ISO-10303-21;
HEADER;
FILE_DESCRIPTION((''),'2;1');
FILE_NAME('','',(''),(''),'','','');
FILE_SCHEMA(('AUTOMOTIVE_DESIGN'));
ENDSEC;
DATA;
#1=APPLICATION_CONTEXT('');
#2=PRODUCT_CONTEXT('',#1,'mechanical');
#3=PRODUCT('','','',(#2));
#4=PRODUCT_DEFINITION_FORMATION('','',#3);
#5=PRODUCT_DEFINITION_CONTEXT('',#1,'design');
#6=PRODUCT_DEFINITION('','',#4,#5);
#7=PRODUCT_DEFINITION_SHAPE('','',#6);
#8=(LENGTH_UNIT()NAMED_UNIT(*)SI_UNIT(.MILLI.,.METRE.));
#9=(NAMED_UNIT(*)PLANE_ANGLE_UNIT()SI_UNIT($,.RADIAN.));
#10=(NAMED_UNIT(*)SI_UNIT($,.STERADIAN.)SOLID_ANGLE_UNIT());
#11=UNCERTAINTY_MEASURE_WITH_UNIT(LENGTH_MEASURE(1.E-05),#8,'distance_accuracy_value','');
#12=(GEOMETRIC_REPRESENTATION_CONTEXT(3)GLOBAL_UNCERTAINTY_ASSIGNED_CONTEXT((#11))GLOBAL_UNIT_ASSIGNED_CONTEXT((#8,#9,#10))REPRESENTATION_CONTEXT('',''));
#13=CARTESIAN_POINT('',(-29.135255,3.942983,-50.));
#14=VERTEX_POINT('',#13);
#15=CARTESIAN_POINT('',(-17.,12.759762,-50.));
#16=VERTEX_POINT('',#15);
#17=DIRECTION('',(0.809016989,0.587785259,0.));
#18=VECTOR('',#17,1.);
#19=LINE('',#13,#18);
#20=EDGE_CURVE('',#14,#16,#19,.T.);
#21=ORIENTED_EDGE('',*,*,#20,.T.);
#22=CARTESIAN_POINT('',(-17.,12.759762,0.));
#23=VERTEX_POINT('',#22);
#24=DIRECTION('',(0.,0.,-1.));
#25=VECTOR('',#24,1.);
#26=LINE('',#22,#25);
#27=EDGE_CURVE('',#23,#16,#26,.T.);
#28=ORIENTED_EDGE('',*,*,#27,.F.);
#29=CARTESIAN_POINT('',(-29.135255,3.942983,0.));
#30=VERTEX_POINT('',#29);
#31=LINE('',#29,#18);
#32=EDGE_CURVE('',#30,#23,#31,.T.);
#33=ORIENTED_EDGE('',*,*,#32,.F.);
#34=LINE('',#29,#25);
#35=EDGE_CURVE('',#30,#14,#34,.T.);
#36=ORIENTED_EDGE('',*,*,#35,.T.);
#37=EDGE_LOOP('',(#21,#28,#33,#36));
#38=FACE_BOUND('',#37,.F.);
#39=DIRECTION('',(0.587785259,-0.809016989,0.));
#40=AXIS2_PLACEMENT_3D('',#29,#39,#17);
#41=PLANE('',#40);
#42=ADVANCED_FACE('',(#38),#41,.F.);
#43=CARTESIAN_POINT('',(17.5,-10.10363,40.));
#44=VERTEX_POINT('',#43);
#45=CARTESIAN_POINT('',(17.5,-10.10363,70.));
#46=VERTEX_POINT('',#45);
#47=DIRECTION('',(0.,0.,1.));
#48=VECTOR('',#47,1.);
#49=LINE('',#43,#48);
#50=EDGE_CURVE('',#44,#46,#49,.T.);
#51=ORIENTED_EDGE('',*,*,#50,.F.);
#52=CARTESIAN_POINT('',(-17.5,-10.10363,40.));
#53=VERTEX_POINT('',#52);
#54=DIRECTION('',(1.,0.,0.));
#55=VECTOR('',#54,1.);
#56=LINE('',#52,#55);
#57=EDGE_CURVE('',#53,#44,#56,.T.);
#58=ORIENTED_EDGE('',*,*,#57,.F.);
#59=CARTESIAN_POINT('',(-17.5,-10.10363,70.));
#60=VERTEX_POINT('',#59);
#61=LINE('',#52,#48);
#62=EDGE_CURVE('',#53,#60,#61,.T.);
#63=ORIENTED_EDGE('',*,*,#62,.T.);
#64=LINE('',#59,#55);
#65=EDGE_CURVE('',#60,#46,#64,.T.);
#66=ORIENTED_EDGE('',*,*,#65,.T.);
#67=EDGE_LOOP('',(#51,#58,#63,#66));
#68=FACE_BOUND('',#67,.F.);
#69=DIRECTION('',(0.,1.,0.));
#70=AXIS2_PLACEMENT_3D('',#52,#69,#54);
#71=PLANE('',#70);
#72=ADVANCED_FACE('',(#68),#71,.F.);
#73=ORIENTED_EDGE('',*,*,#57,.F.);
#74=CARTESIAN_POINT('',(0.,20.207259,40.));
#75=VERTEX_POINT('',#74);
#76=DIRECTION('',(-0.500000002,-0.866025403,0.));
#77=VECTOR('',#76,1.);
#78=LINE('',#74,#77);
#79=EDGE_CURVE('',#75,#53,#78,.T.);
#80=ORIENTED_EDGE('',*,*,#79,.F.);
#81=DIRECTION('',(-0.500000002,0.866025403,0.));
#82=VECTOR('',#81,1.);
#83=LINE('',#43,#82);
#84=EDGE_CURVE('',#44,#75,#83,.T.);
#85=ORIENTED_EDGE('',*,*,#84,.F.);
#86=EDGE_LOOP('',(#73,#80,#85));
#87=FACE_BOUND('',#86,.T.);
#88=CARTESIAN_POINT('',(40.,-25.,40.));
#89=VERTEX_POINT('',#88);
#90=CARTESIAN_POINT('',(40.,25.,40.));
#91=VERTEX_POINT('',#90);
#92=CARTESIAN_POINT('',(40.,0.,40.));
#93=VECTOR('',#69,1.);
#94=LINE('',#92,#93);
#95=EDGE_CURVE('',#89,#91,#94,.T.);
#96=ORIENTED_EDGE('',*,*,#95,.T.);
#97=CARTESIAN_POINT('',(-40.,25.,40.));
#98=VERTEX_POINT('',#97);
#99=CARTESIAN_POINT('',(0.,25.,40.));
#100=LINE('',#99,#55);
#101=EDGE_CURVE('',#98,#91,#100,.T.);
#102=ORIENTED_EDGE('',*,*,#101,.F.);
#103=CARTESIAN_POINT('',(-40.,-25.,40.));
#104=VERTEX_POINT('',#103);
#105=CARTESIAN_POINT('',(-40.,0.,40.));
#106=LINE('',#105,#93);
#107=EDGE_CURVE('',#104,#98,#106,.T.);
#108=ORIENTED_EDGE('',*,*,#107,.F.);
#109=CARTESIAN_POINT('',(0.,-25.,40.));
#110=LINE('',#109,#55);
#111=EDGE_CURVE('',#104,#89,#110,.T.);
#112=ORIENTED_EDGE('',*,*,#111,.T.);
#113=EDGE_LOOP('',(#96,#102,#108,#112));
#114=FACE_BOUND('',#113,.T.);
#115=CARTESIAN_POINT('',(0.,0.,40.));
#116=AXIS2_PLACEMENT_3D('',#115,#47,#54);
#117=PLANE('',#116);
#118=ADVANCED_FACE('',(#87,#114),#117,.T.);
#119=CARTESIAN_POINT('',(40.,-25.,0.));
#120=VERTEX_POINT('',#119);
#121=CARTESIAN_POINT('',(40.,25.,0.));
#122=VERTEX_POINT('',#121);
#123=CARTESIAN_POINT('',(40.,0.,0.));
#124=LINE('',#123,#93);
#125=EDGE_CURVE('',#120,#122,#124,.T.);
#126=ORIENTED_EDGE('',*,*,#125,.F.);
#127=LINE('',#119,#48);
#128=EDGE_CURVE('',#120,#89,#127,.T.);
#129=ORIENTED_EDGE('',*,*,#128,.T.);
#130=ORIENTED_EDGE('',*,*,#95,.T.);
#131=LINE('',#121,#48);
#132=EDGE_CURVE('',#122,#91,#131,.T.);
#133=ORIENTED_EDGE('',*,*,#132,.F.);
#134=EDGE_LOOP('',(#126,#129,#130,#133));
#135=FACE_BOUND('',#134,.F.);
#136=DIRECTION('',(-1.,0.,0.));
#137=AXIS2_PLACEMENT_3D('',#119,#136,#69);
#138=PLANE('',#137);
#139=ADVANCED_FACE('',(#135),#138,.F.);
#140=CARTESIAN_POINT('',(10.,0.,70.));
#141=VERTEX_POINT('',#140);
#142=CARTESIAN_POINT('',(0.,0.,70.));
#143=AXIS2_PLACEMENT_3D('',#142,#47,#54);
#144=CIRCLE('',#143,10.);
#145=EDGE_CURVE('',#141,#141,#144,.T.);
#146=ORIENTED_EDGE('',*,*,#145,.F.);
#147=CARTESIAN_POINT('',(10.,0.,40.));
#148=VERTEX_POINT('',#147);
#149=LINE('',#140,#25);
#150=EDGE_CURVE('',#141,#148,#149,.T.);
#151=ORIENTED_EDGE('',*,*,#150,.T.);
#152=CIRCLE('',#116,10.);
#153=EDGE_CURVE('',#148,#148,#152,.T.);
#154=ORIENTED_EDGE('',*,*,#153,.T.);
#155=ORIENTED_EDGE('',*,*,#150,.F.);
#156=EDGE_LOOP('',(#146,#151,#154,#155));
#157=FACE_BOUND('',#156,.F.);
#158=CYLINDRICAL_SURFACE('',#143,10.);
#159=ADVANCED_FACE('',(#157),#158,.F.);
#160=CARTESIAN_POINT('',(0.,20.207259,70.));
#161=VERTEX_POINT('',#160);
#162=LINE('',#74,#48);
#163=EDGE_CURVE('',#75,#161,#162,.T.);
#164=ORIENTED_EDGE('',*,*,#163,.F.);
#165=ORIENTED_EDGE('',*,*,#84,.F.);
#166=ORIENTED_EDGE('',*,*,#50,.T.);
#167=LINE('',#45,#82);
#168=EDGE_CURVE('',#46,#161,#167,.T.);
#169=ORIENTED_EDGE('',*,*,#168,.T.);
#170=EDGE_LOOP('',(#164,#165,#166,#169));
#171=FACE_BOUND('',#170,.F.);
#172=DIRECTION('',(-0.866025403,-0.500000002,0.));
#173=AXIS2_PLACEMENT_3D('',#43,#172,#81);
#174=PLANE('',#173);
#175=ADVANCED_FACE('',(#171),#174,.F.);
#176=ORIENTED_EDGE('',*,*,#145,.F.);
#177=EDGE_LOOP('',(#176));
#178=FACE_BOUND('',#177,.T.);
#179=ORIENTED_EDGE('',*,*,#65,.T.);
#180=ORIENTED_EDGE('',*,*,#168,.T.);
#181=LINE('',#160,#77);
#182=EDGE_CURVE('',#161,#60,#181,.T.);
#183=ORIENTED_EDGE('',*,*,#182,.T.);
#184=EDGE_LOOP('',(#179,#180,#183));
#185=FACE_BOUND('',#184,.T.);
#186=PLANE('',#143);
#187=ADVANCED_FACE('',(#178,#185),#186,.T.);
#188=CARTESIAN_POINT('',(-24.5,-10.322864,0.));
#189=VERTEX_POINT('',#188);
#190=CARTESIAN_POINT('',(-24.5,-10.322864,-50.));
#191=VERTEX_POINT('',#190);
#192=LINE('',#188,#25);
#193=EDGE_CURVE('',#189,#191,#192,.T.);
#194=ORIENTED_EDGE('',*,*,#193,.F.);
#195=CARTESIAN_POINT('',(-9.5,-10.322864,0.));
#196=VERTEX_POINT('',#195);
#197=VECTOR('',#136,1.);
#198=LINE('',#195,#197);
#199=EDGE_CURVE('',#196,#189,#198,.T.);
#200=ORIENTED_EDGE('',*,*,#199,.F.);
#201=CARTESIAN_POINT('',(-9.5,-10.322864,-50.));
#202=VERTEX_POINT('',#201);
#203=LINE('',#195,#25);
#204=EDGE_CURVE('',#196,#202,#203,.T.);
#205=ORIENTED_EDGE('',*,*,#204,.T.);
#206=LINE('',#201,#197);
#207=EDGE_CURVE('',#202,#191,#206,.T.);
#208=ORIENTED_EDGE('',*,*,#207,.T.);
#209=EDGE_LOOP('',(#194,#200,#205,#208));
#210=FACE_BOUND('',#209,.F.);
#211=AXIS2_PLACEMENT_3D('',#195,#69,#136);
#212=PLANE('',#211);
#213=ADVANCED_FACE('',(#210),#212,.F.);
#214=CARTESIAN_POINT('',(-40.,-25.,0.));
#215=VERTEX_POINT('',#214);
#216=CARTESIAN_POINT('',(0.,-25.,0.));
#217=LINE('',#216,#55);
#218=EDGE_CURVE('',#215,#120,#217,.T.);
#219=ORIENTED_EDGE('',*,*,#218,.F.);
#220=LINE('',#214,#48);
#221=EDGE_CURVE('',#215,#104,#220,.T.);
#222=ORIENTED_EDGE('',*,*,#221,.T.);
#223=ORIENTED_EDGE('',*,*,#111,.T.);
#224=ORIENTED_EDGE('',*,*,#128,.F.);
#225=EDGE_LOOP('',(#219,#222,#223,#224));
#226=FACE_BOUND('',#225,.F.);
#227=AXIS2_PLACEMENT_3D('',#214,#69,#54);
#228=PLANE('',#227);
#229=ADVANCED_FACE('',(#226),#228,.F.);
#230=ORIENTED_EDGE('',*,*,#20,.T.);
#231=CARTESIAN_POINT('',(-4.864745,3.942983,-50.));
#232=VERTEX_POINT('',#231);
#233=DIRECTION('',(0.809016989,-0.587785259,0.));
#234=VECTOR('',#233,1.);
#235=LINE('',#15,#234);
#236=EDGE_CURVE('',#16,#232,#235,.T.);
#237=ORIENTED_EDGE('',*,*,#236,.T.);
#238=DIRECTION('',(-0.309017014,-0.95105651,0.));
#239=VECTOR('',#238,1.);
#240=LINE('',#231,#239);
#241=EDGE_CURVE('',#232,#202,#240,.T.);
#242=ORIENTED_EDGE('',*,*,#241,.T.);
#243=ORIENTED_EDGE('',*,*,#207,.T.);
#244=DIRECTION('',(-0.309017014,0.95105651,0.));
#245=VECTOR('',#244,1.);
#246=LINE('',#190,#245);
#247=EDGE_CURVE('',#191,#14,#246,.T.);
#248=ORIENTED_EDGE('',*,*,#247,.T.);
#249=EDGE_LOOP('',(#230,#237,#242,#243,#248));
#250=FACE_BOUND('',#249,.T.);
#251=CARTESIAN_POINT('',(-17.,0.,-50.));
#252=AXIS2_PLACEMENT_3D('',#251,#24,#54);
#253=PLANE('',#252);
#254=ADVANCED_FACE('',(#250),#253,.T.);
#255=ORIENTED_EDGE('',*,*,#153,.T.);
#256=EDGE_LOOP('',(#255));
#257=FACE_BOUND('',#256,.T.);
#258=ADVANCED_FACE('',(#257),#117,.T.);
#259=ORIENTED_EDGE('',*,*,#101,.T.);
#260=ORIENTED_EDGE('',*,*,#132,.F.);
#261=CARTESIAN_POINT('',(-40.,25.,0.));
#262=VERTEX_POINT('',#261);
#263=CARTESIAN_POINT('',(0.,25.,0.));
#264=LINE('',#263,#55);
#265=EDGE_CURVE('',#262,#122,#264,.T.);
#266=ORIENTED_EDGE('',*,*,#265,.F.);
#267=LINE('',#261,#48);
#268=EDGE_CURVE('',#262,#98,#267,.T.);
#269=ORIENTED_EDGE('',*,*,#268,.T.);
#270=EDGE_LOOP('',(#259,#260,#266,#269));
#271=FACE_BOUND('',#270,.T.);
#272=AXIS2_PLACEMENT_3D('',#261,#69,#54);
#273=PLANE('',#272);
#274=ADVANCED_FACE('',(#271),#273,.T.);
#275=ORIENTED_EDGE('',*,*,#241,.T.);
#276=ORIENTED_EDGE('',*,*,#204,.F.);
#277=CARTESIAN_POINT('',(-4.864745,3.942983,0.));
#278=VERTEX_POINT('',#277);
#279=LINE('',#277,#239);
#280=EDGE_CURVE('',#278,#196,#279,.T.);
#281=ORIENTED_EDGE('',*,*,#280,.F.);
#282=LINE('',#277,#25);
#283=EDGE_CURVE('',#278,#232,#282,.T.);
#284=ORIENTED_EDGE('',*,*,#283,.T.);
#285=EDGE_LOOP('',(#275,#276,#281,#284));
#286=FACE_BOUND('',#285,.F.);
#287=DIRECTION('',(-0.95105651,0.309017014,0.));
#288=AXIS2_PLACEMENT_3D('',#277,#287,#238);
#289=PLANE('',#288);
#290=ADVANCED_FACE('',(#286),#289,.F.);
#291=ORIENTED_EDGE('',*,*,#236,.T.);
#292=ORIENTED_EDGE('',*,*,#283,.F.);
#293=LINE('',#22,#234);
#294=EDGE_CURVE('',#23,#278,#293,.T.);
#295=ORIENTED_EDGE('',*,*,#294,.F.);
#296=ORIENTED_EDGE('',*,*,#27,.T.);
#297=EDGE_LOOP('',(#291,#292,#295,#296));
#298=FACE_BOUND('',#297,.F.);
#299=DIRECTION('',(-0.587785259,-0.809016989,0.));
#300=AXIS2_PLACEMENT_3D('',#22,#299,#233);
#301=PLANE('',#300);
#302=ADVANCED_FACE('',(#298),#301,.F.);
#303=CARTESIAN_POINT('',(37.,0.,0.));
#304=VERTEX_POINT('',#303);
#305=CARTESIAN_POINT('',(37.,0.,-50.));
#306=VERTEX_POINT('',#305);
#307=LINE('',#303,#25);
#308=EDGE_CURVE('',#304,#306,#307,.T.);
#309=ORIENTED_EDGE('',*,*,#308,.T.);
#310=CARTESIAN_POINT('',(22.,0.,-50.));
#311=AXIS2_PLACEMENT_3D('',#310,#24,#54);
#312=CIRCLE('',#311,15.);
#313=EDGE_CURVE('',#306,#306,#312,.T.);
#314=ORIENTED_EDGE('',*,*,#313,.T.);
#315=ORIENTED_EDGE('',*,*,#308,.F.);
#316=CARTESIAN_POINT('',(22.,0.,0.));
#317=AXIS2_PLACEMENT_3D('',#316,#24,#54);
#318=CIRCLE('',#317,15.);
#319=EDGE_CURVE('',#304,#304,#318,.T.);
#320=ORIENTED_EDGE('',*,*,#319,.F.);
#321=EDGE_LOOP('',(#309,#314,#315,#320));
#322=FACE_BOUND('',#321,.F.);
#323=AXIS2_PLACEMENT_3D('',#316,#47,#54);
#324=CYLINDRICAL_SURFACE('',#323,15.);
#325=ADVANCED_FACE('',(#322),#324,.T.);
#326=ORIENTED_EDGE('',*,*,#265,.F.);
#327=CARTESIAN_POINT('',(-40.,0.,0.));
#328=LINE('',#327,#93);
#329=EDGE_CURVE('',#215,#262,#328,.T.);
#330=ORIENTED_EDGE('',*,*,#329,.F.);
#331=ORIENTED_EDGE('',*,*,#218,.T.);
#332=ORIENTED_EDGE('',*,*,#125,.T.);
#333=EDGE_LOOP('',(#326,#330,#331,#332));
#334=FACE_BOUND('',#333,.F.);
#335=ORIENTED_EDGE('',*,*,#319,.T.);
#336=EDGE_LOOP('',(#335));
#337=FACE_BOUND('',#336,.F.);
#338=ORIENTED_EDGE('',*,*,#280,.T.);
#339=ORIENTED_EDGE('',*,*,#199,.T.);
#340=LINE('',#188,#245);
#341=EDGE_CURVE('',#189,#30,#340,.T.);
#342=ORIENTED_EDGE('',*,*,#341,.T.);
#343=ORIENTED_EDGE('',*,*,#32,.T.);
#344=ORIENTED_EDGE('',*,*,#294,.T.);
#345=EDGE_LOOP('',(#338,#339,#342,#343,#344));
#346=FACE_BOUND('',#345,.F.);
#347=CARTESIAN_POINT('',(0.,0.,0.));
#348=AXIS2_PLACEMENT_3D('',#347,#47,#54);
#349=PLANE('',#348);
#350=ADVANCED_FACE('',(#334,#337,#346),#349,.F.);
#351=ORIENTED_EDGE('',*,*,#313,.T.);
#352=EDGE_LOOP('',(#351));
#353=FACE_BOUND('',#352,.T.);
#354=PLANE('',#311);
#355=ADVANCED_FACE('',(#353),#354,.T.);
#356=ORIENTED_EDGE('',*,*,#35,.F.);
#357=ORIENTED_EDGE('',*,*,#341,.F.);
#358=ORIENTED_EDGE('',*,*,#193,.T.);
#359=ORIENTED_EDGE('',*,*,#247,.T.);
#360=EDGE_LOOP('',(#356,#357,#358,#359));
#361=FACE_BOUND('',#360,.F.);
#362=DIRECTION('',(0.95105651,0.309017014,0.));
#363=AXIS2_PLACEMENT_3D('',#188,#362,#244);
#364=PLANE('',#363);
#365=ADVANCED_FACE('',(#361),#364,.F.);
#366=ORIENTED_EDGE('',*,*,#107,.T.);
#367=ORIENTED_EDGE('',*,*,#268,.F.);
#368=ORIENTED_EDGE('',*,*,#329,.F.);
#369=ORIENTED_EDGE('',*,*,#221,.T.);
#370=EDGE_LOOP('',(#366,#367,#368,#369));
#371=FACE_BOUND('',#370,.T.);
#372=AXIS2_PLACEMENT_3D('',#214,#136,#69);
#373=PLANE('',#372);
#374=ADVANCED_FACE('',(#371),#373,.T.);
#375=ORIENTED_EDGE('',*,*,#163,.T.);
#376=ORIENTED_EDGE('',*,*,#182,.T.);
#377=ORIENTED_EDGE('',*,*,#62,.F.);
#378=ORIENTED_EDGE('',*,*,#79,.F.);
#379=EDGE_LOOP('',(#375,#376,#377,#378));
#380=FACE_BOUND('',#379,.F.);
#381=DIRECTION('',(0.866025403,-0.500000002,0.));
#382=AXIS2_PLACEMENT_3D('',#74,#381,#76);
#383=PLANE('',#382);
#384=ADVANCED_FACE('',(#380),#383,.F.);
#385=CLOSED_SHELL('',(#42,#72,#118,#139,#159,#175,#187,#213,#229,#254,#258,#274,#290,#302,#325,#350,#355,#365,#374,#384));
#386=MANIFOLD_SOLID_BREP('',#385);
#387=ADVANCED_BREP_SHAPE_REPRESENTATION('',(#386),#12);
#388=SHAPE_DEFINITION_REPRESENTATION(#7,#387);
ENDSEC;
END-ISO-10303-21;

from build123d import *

# Parameters (mm, degrees)
F0_W     = 80
F0_H     = 50
F1_DEPTH = 40
F3_DEPTH = 30
F4_R     = 10
F5_DEPTH = 30
F7_DEPTH = 50
F8_R     = 15
F9_DEPTH = 50


with BuildPart() as f1:
    # F0 (on Top) → F1 (new body)
    with BuildSketch(Plane.XY):
        Rectangle(F0_W, F0_H)
    extrude(amount=F1_DEPTH)

    # F2 (on face) → F3 (join)
    with BuildSketch(Plane.XY.offset(40)):
        Polygon((0, 20.207259), (-17.5, -10.10363), (17.5, -10.10363), align=None)
    extrude(amount=F3_DEPTH)

    # F4 (on face) → F5 (cut)
    with BuildSketch(Plane.XY.offset(70)):
        Circle(F4_R)
    extrude(amount=-F5_DEPTH, mode=Mode.SUBTRACT)

    # F6 (on face) → F7 (join)
    with BuildSketch(Plane(origin=(0, 0, 0), x_dir=(1, 0, 0), z_dir=(0, 0, -1))):
        Polygon((-9.5, 10.322864), (-24.5, 10.322864), (-29.135255, -3.942983), (-17, -12.759762), (-4.864745, -3.942983), align=None)
    extrude(amount=F7_DEPTH)

    # F8 (on face) → F9 (join)
    with BuildSketch(Plane(origin=(0, 0, 0), x_dir=(1, 0, 0), z_dir=(0, 0, -1))):
        with Locations((22, 0)):
            Circle(F8_R)
    extrude(amount=F9_DEPTH)


solid = f1.part
